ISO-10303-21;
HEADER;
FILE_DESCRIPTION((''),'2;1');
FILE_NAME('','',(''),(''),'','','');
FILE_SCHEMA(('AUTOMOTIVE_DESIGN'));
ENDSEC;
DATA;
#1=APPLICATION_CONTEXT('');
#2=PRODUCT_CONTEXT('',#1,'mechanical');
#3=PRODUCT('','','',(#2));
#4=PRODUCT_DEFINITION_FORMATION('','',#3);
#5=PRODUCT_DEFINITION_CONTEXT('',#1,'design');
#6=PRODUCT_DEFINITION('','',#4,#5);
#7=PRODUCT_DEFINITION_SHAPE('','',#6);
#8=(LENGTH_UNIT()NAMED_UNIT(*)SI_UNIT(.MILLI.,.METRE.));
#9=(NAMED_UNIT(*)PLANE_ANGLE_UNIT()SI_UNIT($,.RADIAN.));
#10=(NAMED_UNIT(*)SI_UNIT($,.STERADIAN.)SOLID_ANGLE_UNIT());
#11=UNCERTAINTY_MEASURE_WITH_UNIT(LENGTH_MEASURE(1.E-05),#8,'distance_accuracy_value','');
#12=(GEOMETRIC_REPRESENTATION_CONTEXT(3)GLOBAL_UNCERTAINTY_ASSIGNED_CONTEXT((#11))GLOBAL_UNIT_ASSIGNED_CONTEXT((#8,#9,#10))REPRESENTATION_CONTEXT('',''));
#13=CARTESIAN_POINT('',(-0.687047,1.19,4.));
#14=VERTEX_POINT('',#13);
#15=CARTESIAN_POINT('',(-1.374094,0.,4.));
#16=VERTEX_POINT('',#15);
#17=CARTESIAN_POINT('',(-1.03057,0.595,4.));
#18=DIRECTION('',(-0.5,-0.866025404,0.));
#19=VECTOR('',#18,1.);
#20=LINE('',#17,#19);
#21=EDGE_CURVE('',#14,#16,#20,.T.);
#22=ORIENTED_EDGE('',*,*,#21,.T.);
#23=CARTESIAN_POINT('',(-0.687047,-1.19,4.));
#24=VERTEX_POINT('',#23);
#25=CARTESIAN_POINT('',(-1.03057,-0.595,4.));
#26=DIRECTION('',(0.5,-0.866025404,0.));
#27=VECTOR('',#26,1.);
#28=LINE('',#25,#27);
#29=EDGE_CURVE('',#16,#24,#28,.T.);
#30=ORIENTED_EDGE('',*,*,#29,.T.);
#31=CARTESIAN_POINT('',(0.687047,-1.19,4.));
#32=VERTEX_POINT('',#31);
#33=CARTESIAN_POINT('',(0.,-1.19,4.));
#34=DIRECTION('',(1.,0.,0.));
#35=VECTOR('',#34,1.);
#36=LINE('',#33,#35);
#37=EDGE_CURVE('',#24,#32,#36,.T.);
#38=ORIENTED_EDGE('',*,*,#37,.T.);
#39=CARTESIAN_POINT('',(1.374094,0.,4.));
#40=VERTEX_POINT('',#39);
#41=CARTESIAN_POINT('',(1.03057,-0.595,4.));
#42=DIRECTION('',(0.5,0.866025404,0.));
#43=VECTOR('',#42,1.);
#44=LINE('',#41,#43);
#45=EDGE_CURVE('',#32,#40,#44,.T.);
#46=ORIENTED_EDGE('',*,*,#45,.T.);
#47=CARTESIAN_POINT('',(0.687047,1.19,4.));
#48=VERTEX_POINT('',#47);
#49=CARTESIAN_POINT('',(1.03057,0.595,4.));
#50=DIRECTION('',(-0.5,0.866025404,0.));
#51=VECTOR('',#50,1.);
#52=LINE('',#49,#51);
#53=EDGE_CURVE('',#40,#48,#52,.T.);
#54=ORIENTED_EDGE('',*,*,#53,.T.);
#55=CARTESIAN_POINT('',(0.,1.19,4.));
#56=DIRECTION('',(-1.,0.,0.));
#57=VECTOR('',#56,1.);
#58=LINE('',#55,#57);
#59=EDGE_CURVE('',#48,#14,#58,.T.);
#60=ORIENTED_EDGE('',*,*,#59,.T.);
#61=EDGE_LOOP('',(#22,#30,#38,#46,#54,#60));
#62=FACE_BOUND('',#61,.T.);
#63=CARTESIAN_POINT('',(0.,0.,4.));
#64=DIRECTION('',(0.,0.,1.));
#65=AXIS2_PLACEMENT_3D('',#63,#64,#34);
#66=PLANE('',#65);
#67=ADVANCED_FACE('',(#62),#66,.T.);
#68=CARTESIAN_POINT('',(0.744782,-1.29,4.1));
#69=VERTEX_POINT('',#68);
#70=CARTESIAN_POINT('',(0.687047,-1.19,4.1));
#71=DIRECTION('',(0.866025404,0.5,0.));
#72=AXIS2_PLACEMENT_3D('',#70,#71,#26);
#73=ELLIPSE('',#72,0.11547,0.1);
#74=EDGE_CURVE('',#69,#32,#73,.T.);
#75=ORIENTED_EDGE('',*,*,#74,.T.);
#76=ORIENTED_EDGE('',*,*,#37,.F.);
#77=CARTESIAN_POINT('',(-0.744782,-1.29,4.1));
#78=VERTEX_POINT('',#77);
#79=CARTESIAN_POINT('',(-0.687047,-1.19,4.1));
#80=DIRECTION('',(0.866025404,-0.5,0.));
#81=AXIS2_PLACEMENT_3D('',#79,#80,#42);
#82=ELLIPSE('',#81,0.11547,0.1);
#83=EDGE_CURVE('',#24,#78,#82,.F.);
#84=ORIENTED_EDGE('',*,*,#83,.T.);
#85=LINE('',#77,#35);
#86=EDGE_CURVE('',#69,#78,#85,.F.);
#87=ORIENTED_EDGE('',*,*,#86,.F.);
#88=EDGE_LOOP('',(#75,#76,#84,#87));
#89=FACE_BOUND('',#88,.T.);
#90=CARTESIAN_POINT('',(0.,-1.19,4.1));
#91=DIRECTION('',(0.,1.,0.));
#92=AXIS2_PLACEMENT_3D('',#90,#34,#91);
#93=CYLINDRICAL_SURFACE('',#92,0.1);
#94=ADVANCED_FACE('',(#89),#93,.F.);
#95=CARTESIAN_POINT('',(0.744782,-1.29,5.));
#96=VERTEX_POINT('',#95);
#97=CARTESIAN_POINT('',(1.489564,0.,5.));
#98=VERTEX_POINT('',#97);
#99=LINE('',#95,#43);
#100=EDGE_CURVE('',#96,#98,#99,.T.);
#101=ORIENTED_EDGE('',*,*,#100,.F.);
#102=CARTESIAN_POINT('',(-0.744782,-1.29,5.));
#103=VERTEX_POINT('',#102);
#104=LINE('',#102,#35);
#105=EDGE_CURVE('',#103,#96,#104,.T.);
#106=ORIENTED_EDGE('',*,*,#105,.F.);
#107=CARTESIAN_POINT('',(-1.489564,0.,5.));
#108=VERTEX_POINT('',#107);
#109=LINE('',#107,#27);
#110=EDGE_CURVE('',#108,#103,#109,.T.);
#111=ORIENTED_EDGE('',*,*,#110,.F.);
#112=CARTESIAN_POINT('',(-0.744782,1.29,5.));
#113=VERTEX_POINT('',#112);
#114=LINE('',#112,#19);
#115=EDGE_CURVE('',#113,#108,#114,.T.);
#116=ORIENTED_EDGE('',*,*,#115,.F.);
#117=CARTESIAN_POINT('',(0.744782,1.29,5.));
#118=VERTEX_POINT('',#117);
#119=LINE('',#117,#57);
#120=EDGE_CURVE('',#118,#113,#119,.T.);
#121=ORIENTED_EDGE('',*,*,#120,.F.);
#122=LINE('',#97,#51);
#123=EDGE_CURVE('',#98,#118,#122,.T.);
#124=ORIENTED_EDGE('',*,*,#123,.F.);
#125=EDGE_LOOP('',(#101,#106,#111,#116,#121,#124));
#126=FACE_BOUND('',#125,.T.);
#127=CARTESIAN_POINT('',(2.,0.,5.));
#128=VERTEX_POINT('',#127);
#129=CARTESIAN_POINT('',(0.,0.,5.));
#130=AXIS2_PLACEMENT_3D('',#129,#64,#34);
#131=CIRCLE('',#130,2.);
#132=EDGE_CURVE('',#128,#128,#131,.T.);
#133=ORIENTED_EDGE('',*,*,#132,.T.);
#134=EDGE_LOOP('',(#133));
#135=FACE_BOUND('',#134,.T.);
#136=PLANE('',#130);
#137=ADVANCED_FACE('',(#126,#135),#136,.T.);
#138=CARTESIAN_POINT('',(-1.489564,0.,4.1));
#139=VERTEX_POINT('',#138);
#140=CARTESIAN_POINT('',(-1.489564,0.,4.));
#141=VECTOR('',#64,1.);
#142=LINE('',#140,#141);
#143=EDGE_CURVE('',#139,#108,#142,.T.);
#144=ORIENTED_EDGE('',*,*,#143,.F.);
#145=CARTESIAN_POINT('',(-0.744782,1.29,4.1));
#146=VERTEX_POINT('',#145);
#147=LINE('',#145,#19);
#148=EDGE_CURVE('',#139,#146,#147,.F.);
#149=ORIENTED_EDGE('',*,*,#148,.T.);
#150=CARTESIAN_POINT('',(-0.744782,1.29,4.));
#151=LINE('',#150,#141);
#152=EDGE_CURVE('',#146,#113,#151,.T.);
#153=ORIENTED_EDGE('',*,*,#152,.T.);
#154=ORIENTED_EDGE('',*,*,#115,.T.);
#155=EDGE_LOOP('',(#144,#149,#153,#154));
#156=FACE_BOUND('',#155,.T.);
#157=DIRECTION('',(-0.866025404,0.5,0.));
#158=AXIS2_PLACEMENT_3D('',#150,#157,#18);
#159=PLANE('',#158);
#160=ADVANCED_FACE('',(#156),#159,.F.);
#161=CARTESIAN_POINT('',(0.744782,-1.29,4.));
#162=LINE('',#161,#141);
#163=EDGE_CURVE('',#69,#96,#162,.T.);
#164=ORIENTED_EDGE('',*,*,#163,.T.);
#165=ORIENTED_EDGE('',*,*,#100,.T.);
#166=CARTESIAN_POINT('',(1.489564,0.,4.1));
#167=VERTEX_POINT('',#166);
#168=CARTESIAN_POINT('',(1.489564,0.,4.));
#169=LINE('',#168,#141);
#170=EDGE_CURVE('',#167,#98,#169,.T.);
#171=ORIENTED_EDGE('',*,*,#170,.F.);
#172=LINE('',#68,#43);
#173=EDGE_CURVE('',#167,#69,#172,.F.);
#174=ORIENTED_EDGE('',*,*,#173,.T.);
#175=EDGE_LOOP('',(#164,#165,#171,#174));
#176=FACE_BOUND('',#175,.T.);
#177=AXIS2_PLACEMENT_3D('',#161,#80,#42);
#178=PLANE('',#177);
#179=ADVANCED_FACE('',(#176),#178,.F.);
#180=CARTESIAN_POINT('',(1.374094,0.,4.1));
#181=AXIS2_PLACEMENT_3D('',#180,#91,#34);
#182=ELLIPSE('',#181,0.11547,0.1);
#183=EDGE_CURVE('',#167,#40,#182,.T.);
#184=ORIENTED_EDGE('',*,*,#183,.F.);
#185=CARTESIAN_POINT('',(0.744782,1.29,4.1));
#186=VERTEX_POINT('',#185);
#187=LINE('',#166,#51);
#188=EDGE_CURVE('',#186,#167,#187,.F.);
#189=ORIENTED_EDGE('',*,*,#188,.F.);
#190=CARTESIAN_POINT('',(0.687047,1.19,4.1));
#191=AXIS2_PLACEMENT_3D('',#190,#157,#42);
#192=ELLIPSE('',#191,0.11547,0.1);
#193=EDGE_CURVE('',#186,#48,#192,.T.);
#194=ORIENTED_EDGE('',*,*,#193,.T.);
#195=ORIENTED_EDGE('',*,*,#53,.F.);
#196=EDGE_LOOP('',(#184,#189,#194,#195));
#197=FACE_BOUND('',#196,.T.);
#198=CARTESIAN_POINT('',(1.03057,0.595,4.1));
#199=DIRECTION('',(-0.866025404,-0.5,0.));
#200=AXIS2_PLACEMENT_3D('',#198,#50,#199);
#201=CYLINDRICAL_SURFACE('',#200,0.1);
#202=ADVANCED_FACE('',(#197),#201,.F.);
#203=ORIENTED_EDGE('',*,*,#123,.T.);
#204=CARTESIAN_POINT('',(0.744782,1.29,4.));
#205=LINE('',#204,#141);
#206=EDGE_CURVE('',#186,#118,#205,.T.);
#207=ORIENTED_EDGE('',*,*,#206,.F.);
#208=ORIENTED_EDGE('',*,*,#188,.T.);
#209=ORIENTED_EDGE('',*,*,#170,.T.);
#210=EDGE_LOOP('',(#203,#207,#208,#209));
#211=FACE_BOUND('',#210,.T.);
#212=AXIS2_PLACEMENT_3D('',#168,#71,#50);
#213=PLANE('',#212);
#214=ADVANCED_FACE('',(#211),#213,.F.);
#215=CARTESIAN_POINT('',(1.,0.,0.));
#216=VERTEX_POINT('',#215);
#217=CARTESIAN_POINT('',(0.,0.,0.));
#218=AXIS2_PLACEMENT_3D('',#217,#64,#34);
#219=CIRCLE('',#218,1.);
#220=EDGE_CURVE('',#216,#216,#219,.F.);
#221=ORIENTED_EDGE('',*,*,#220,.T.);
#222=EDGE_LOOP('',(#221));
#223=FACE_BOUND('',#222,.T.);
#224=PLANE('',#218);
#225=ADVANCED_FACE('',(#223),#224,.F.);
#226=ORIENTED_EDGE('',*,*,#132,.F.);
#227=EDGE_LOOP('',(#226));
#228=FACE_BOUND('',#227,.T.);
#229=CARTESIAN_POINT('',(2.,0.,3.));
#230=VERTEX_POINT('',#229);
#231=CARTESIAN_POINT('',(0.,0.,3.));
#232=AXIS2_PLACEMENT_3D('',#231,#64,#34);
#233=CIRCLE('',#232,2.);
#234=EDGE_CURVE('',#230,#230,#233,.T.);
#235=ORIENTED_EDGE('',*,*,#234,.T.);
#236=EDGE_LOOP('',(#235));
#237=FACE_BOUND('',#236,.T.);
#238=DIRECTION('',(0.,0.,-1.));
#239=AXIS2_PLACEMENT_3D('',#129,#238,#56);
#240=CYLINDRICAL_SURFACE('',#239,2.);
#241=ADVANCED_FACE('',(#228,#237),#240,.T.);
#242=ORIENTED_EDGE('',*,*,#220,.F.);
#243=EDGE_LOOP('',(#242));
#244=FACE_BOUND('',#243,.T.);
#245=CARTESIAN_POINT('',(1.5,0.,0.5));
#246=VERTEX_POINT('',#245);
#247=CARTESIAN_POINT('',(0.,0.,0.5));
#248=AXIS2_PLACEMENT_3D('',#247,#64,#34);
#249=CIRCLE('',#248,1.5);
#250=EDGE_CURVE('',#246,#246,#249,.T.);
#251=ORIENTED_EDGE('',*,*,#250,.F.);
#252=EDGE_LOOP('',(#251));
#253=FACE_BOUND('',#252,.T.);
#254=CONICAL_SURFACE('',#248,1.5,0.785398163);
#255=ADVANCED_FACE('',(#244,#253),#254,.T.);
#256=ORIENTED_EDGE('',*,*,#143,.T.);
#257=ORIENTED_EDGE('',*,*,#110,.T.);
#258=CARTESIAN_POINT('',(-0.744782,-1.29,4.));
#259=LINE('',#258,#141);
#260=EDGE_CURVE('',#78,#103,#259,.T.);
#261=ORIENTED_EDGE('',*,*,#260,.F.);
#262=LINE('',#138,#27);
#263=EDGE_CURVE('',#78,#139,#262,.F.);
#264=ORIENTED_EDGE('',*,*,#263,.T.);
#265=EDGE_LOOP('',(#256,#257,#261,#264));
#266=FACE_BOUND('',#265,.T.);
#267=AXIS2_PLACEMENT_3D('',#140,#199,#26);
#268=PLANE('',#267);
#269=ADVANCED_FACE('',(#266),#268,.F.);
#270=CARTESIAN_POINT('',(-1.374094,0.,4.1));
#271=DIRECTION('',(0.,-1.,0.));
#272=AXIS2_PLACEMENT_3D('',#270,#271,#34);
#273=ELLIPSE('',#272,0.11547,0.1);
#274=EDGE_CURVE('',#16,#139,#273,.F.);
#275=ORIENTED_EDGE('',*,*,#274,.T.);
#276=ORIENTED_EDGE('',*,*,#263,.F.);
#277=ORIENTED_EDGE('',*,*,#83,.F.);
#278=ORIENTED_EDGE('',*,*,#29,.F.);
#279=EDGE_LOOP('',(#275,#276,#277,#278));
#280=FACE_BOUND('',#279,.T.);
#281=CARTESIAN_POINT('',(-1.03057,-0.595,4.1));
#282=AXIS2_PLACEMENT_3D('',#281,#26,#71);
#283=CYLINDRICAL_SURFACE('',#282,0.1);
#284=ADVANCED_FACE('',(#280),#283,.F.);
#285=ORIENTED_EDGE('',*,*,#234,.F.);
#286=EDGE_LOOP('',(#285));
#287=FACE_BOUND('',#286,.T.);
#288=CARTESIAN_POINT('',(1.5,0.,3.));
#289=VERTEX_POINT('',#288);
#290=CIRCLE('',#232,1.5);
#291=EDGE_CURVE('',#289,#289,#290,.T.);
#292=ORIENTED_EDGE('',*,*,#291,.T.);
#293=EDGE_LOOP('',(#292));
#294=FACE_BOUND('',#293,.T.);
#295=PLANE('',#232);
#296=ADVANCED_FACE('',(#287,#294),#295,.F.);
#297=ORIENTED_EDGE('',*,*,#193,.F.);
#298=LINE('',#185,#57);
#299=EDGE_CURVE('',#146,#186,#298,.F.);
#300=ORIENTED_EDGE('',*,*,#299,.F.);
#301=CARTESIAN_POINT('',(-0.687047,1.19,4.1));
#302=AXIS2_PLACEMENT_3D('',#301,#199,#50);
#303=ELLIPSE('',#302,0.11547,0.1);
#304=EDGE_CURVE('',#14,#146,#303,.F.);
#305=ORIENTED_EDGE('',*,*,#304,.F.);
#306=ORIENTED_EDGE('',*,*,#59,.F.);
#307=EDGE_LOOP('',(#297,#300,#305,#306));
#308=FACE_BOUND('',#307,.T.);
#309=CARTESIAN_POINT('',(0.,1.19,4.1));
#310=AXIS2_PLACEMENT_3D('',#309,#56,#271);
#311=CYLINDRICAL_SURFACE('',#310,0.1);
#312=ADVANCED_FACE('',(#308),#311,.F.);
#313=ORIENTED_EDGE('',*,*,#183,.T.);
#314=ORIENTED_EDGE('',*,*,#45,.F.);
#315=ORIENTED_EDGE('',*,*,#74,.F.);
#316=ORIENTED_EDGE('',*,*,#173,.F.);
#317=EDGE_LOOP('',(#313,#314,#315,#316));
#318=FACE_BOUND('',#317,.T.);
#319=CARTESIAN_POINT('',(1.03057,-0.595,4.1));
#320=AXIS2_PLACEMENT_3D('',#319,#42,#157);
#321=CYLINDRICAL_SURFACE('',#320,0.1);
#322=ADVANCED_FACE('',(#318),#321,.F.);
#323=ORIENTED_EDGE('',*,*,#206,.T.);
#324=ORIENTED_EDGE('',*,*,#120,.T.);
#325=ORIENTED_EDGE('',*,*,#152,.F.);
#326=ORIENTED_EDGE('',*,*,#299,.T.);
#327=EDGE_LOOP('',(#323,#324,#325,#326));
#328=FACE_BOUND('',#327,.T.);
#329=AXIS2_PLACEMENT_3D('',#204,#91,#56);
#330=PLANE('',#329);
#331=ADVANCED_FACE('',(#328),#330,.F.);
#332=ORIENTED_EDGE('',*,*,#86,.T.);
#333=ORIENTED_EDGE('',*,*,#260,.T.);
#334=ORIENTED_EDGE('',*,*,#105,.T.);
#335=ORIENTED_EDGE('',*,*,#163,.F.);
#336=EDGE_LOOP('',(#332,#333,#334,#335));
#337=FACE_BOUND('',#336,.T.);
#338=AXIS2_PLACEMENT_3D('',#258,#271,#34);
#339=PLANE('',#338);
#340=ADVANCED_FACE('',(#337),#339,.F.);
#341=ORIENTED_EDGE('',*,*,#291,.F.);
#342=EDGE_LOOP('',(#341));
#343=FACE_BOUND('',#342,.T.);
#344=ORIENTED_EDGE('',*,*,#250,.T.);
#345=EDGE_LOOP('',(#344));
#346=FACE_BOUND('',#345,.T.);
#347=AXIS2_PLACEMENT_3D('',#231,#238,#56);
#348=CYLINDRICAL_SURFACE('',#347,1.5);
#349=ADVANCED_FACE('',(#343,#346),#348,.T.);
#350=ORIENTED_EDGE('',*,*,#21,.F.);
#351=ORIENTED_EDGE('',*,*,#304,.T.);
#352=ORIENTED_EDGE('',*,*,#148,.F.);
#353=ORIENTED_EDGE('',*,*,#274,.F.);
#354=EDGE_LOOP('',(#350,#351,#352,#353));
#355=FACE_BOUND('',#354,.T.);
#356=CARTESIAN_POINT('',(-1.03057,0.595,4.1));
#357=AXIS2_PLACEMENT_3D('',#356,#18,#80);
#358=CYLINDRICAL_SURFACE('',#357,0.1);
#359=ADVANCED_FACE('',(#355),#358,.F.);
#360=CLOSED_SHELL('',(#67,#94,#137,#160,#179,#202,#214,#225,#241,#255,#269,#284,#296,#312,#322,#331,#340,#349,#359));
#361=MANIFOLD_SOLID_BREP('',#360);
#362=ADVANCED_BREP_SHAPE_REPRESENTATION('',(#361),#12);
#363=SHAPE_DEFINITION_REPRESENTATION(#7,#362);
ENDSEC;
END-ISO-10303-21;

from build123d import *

# Parameters (mm, degrees)
SKETCH3_R           = 1.5
BOSS_EXTRUDE1_DEPTH = 3
SKETCH4_R           = 2
BOSS_EXTRUDE2_DEPTH = 2
CUT_EXTRUDE1_DEPTH  = 1
CHAMFER3_SIZE       = 0.5
FILLET1_R           = 0.1


with BuildPart() as part:
    # Sketch3 → Boss-Extrude1 (new body)
    with BuildSketch(Plane(origin=(0, 0, 0), x_dir=(0, 1, 0), z_dir=(0, 0, 1))):
        with Locations(Location((0, 0, 0), (0, 0, 270))):
            Circle(SKETCH3_R)
    extrude(amount=BOSS_EXTRUDE1_DEPTH)

    # Sketch4 → Boss-Extrude2 (add)
    with BuildSketch(Plane.XY.offset(3)):
        Circle(SKETCH4_R)
    extrude(amount=BOSS_EXTRUDE2_DEPTH)

    # Sketch5 → Cut-Extrude1 (cut)
    with BuildSketch(Plane.XY.offset(5)):
        Polygon((1.489563695, 0), (0.744781847, 1.29), (-0.744781847, 1.29), (-1.489563695, 0), (-0.744781847, -1.29), (0.744781847, -1.29), align=None)
    extrude(amount=-CUT_EXTRUDE1_DEPTH, mode=Mode.SUBTRACT)

    # Chamfer3
    chamfer3_edges = [part.edges().sort_by_distance(p)[0] for p in [
        (-1.5, 0, 0),
    ]]
    chamfer(chamfer3_edges, length=CHAMFER3_SIZE)

    # Fillet1
    fillet1_edges = [part.edges().sort_by_distance(p)[0] for p in [
        (1.117172771, -0.645, 4),
        (0, -1.29, 4),
        (-1.117172771, -0.645, 4),
        (-1.117172771, 0.645, 4),
        (0, 1.29, 4),
        (1.117172771, 0.645, 4),
    ]]
    fillet(fillet1_edges, radius=FILLET1_R)


solid = part.part
